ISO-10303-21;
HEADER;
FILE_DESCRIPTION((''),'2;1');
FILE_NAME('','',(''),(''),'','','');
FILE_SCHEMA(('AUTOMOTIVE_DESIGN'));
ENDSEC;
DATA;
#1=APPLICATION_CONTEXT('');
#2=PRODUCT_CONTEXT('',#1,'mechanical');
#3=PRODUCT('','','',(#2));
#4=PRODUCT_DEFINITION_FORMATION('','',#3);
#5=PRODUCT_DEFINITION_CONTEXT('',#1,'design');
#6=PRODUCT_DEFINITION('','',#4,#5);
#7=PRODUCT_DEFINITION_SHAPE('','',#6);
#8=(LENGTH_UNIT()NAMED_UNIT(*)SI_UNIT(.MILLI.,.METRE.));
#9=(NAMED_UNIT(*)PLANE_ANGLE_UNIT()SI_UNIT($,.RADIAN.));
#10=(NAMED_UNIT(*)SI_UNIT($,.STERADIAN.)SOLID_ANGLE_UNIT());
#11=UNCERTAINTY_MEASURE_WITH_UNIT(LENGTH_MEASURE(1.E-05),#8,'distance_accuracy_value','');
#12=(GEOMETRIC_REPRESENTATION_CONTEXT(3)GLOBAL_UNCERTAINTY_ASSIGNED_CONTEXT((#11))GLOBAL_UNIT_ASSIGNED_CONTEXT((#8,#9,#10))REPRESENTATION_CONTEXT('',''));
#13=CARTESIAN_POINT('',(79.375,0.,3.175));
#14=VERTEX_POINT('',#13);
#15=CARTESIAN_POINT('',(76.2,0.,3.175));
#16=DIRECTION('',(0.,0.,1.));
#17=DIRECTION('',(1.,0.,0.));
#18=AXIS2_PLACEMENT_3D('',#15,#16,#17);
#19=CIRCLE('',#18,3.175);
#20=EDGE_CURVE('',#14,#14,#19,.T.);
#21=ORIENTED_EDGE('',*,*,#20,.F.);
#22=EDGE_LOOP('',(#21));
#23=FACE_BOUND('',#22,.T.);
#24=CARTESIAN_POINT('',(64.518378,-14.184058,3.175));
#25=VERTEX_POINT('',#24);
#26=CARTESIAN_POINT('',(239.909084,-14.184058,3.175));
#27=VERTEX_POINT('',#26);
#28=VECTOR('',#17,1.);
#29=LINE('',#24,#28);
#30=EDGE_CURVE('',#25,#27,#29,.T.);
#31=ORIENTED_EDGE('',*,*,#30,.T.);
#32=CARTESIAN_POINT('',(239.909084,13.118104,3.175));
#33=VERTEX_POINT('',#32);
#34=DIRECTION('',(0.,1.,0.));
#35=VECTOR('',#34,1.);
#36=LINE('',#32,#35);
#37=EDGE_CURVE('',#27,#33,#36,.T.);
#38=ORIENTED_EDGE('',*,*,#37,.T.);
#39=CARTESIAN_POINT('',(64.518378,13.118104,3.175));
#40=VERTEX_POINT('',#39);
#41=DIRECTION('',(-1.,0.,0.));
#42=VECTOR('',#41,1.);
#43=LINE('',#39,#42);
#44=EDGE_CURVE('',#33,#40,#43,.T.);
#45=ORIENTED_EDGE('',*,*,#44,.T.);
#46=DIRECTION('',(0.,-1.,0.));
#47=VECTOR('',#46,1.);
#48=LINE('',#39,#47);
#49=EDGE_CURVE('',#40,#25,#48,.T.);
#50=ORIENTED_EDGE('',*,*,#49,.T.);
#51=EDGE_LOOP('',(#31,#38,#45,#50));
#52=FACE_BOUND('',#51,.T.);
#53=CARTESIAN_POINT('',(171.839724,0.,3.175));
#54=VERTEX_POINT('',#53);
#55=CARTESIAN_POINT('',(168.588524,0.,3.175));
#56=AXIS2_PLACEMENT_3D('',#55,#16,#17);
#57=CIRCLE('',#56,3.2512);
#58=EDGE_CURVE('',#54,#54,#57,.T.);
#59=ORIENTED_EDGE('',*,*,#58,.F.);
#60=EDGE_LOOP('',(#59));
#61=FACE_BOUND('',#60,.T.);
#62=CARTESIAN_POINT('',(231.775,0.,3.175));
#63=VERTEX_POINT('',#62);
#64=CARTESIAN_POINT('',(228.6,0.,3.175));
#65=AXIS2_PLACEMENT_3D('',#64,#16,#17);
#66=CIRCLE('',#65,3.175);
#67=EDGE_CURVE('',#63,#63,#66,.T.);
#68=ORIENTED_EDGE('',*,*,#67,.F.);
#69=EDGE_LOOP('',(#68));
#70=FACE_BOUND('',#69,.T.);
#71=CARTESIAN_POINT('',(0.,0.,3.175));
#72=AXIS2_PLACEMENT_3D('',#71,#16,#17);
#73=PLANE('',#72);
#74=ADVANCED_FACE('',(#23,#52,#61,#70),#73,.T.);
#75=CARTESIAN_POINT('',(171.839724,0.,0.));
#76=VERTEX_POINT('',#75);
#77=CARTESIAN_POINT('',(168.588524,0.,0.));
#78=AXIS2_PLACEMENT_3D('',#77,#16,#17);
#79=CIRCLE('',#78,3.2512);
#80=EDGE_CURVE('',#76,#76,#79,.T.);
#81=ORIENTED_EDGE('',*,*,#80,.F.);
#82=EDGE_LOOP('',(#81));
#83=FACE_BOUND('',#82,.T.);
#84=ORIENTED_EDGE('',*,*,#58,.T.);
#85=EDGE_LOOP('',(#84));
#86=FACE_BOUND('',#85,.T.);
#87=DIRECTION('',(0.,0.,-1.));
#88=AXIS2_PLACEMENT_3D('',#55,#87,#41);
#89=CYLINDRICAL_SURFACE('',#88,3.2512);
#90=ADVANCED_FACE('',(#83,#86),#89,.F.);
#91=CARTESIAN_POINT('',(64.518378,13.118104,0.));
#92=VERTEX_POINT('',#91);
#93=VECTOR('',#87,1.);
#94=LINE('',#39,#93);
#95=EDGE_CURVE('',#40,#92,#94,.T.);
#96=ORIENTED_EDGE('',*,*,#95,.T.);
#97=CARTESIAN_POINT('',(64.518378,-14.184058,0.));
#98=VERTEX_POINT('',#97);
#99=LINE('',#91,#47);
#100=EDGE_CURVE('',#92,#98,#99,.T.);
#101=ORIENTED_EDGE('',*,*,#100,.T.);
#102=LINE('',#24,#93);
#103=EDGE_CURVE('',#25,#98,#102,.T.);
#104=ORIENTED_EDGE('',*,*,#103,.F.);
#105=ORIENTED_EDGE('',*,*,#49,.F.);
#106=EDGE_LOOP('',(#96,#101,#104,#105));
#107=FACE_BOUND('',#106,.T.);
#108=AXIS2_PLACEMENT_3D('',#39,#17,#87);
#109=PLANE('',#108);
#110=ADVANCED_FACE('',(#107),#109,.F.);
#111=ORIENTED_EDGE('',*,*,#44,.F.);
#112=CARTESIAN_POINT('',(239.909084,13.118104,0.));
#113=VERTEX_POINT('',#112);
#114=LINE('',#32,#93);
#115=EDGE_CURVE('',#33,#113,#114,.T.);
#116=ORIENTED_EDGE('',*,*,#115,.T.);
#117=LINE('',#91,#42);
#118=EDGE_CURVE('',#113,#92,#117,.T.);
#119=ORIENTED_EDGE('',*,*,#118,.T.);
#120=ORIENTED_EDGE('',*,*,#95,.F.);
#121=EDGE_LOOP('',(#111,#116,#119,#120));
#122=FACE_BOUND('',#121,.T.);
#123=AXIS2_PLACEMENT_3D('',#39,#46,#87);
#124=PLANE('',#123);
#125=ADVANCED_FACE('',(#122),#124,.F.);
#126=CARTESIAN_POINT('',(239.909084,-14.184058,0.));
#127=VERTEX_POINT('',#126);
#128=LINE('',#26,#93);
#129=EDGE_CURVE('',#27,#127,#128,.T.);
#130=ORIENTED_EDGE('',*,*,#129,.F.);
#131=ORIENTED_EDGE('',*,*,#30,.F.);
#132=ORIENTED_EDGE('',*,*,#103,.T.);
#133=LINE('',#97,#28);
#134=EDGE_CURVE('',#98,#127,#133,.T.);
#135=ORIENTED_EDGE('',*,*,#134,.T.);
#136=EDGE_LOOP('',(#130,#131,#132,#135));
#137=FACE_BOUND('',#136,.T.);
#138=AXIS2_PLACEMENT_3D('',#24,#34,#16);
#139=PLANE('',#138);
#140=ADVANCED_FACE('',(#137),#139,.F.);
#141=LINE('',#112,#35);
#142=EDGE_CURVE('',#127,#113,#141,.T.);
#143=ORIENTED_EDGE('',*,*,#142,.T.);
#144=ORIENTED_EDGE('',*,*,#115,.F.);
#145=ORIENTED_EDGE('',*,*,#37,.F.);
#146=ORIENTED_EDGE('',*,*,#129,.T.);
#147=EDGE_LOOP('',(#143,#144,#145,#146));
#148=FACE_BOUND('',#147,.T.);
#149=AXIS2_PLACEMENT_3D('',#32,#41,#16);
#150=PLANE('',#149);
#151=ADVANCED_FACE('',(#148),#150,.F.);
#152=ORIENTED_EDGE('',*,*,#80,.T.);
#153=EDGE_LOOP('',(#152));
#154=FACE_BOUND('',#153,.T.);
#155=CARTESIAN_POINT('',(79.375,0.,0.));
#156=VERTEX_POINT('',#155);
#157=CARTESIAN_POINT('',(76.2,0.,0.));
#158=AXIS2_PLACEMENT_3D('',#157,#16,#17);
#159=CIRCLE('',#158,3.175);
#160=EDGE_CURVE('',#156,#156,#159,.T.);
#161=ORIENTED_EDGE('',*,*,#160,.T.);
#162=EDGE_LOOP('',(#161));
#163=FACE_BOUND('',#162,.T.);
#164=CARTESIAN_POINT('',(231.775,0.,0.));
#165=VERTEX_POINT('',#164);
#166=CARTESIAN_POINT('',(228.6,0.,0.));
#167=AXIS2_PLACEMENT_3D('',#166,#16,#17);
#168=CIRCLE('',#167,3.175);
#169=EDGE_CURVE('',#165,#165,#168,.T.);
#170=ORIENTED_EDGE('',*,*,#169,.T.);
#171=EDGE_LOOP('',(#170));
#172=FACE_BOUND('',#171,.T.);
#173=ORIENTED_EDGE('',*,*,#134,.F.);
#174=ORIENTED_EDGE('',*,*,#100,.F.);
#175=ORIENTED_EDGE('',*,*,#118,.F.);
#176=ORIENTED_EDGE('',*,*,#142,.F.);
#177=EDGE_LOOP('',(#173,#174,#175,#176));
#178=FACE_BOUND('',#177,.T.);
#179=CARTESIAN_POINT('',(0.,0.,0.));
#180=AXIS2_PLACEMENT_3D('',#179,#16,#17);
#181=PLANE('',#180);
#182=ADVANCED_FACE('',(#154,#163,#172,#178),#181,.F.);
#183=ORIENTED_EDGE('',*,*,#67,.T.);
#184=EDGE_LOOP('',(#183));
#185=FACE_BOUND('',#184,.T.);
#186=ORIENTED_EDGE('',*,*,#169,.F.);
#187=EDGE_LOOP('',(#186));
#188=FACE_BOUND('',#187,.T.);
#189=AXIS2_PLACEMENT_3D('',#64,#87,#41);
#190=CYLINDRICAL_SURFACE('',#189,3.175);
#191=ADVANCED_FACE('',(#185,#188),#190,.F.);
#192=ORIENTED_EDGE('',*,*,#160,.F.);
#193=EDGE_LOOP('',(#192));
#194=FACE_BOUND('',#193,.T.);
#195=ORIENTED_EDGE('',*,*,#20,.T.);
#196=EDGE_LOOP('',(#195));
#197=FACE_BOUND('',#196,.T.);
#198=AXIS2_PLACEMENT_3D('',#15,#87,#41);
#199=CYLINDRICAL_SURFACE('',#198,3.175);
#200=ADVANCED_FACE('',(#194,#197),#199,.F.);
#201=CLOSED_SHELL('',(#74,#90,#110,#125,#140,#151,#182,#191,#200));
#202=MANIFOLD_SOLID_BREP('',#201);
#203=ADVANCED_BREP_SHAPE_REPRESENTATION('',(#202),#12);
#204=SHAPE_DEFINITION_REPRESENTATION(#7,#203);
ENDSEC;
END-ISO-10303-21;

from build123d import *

# Parameters (mm, degrees)
SKETCH1_W           = 175.390705646
SKETCH1_H           = 27.302162023
SKETCH1_R           = 3.175
SKETCH1_R_2         = 3.2512
BOSS_EXTRUDE1_DEPTH = 3.175


with BuildPart() as part:
    # Sketch1 → Boss-Extrude1 (new body)
    with BuildSketch(Plane.XY):
        with Locations((152.213731171, -0.53297721)):
            Rectangle(SKETCH1_W, SKETCH1_H)
        with Locations((76.2, 0)):
            Circle(SKETCH1_R, mode=Mode.SUBTRACT)
        with Locations((228.6, 0)):
            Circle(SKETCH1_R, mode=Mode.SUBTRACT)
        with Locations((168.588523942, 0)):
            Circle(SKETCH1_R_2, mode=Mode.SUBTRACT)
    extrude(amount=BOSS_EXTRUDE1_DEPTH)


solid = part.part
